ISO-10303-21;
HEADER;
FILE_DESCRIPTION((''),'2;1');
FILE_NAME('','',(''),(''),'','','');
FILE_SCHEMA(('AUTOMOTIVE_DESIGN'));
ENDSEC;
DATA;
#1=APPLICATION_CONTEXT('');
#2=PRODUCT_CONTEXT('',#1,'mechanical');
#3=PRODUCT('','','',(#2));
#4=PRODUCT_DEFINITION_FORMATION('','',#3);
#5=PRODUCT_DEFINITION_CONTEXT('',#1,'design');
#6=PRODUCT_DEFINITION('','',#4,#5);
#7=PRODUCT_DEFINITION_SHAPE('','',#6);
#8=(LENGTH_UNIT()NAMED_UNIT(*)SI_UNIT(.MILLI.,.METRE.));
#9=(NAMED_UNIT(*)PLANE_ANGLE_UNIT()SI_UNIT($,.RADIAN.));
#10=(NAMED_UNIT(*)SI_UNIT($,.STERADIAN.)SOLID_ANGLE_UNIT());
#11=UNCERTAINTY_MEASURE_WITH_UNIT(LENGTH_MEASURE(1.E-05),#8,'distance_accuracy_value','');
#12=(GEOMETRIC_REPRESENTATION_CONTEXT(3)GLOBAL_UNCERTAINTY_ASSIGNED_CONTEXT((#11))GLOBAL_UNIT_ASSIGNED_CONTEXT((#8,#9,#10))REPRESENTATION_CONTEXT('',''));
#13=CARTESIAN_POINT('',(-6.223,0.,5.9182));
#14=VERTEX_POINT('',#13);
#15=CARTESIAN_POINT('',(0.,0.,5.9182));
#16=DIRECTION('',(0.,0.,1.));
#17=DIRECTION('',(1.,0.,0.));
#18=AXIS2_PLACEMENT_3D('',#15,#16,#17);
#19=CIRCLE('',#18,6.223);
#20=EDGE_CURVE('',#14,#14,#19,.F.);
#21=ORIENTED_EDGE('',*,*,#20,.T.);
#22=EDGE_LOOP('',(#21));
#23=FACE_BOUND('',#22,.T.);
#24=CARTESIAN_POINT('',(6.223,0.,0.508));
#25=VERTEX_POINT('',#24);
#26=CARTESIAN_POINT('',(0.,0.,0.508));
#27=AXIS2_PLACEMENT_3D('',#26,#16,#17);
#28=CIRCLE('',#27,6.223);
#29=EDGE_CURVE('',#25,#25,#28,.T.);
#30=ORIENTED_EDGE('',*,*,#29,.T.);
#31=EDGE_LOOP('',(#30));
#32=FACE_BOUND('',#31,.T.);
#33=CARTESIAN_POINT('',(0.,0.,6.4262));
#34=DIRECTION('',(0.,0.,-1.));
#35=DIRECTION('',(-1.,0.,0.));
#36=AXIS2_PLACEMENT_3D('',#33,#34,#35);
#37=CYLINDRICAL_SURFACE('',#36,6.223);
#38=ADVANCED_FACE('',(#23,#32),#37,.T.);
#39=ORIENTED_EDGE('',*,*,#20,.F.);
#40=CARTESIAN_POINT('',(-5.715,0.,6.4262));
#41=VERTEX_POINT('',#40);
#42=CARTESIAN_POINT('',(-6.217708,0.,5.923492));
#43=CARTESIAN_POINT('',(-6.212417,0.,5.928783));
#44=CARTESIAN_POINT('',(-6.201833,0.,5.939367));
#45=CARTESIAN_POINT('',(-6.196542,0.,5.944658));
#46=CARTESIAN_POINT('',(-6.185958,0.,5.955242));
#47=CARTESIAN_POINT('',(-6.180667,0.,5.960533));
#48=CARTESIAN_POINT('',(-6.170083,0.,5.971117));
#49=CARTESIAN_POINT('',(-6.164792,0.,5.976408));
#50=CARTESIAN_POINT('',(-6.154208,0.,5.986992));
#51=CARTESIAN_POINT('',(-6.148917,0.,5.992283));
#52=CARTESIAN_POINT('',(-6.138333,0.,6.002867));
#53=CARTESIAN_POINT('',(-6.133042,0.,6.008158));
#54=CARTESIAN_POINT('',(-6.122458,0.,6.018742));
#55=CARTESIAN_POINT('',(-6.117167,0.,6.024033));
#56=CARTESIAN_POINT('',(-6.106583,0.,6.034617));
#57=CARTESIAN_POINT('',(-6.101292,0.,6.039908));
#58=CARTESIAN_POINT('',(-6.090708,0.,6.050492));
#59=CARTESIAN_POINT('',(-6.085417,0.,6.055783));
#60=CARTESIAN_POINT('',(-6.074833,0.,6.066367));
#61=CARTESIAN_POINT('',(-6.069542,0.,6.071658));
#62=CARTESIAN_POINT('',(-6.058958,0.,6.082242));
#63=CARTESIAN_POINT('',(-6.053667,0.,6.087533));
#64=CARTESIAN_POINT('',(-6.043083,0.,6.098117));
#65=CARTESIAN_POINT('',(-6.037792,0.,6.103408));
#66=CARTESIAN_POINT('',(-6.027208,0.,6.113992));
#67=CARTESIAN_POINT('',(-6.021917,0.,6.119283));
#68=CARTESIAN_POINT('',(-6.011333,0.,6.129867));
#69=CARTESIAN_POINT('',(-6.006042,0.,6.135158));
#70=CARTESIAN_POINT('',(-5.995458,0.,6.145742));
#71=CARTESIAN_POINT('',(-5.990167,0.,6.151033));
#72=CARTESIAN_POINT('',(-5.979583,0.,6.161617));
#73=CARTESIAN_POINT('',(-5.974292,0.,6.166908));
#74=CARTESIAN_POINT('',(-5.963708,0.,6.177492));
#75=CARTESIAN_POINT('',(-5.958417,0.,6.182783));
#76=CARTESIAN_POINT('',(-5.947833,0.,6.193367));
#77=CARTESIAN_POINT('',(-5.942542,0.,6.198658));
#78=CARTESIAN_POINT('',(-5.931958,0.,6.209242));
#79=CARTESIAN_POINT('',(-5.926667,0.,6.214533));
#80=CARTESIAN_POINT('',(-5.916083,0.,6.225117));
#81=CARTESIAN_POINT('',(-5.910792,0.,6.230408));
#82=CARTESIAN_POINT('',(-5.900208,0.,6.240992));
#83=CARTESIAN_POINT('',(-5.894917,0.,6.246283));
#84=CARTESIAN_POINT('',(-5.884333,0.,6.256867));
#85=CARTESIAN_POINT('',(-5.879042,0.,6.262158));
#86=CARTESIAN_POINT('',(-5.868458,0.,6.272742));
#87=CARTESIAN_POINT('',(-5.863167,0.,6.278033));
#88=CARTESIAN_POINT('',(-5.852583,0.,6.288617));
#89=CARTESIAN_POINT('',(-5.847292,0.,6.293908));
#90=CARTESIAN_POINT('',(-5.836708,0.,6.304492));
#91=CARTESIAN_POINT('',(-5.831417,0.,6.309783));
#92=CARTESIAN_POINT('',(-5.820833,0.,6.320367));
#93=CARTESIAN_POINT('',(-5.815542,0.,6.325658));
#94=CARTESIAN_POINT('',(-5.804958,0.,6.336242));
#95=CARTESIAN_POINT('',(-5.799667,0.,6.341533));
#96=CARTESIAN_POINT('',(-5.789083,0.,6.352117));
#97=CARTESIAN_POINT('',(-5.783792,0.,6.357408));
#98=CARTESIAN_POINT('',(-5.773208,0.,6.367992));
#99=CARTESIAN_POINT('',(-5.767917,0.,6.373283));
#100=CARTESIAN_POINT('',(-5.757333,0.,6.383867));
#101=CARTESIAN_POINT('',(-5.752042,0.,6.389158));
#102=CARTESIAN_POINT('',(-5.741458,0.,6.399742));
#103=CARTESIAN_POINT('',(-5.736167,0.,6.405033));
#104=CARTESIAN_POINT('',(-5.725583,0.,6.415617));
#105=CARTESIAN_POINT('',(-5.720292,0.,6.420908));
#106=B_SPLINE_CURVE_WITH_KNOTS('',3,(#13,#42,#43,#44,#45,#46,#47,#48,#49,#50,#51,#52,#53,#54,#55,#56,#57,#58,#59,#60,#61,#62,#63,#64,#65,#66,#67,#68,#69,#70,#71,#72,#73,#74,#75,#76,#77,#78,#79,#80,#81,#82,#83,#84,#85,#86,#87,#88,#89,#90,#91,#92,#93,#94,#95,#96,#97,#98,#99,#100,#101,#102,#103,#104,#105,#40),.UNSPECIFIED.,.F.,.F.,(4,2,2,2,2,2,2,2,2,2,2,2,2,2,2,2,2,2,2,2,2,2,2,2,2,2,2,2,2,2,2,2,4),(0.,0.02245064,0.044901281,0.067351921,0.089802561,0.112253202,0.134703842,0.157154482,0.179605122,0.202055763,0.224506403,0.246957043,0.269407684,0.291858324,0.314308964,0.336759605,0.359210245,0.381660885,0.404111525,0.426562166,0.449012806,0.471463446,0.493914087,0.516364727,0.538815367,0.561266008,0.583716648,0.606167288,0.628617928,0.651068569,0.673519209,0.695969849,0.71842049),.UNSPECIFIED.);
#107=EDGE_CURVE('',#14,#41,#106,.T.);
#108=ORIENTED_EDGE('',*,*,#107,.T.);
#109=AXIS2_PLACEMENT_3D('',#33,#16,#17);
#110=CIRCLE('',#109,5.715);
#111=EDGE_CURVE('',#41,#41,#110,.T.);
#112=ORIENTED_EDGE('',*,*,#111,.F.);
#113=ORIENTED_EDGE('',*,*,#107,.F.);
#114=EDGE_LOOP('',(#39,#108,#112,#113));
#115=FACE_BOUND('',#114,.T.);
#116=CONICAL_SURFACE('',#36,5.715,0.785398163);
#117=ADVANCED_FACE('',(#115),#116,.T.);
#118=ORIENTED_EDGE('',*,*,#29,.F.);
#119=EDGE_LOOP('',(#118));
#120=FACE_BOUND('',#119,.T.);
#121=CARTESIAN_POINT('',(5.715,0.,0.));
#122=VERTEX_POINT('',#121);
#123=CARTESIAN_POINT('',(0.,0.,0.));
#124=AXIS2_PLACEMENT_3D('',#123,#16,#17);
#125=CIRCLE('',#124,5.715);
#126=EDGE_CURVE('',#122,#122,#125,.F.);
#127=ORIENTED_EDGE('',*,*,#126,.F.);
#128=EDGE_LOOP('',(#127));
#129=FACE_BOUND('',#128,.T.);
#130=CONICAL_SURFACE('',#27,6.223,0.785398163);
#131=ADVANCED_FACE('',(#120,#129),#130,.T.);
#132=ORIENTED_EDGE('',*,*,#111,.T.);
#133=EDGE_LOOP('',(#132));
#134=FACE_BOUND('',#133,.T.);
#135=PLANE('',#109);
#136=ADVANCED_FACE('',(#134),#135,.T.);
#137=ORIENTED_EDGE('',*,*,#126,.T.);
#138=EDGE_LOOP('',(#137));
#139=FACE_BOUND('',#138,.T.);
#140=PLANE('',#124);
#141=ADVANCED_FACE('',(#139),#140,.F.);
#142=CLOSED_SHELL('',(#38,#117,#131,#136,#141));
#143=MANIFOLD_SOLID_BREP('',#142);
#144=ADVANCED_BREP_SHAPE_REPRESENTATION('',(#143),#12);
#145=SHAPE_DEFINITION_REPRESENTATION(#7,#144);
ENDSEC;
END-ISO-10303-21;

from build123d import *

# Parameters (mm, degrees)
SKETCH1_R           = 6.223
BOSS_EXTRUDE1_DEPTH = 6.4262
CHAMFER1_SIZE       = 0.508


with BuildPart() as part:
    # Sketch1 → Boss-Extrude1 (new body)
    with BuildSketch(Plane.XY):
        with Locations(Location((0, 0, 0), (0, 0, 180))):
            Circle(SKETCH1_R)
    extrude(amount=BOSS_EXTRUDE1_DEPTH)

    # Chamfer1
    chamfer1_edges = [part.edges().sort_by_distance(p)[0] for p in [
        (6.223, 0, 0),
        (6.223, 0, 6.4262),
    ]]
    chamfer(chamfer1_edges, length=CHAMFER1_SIZE)


solid = part.part
